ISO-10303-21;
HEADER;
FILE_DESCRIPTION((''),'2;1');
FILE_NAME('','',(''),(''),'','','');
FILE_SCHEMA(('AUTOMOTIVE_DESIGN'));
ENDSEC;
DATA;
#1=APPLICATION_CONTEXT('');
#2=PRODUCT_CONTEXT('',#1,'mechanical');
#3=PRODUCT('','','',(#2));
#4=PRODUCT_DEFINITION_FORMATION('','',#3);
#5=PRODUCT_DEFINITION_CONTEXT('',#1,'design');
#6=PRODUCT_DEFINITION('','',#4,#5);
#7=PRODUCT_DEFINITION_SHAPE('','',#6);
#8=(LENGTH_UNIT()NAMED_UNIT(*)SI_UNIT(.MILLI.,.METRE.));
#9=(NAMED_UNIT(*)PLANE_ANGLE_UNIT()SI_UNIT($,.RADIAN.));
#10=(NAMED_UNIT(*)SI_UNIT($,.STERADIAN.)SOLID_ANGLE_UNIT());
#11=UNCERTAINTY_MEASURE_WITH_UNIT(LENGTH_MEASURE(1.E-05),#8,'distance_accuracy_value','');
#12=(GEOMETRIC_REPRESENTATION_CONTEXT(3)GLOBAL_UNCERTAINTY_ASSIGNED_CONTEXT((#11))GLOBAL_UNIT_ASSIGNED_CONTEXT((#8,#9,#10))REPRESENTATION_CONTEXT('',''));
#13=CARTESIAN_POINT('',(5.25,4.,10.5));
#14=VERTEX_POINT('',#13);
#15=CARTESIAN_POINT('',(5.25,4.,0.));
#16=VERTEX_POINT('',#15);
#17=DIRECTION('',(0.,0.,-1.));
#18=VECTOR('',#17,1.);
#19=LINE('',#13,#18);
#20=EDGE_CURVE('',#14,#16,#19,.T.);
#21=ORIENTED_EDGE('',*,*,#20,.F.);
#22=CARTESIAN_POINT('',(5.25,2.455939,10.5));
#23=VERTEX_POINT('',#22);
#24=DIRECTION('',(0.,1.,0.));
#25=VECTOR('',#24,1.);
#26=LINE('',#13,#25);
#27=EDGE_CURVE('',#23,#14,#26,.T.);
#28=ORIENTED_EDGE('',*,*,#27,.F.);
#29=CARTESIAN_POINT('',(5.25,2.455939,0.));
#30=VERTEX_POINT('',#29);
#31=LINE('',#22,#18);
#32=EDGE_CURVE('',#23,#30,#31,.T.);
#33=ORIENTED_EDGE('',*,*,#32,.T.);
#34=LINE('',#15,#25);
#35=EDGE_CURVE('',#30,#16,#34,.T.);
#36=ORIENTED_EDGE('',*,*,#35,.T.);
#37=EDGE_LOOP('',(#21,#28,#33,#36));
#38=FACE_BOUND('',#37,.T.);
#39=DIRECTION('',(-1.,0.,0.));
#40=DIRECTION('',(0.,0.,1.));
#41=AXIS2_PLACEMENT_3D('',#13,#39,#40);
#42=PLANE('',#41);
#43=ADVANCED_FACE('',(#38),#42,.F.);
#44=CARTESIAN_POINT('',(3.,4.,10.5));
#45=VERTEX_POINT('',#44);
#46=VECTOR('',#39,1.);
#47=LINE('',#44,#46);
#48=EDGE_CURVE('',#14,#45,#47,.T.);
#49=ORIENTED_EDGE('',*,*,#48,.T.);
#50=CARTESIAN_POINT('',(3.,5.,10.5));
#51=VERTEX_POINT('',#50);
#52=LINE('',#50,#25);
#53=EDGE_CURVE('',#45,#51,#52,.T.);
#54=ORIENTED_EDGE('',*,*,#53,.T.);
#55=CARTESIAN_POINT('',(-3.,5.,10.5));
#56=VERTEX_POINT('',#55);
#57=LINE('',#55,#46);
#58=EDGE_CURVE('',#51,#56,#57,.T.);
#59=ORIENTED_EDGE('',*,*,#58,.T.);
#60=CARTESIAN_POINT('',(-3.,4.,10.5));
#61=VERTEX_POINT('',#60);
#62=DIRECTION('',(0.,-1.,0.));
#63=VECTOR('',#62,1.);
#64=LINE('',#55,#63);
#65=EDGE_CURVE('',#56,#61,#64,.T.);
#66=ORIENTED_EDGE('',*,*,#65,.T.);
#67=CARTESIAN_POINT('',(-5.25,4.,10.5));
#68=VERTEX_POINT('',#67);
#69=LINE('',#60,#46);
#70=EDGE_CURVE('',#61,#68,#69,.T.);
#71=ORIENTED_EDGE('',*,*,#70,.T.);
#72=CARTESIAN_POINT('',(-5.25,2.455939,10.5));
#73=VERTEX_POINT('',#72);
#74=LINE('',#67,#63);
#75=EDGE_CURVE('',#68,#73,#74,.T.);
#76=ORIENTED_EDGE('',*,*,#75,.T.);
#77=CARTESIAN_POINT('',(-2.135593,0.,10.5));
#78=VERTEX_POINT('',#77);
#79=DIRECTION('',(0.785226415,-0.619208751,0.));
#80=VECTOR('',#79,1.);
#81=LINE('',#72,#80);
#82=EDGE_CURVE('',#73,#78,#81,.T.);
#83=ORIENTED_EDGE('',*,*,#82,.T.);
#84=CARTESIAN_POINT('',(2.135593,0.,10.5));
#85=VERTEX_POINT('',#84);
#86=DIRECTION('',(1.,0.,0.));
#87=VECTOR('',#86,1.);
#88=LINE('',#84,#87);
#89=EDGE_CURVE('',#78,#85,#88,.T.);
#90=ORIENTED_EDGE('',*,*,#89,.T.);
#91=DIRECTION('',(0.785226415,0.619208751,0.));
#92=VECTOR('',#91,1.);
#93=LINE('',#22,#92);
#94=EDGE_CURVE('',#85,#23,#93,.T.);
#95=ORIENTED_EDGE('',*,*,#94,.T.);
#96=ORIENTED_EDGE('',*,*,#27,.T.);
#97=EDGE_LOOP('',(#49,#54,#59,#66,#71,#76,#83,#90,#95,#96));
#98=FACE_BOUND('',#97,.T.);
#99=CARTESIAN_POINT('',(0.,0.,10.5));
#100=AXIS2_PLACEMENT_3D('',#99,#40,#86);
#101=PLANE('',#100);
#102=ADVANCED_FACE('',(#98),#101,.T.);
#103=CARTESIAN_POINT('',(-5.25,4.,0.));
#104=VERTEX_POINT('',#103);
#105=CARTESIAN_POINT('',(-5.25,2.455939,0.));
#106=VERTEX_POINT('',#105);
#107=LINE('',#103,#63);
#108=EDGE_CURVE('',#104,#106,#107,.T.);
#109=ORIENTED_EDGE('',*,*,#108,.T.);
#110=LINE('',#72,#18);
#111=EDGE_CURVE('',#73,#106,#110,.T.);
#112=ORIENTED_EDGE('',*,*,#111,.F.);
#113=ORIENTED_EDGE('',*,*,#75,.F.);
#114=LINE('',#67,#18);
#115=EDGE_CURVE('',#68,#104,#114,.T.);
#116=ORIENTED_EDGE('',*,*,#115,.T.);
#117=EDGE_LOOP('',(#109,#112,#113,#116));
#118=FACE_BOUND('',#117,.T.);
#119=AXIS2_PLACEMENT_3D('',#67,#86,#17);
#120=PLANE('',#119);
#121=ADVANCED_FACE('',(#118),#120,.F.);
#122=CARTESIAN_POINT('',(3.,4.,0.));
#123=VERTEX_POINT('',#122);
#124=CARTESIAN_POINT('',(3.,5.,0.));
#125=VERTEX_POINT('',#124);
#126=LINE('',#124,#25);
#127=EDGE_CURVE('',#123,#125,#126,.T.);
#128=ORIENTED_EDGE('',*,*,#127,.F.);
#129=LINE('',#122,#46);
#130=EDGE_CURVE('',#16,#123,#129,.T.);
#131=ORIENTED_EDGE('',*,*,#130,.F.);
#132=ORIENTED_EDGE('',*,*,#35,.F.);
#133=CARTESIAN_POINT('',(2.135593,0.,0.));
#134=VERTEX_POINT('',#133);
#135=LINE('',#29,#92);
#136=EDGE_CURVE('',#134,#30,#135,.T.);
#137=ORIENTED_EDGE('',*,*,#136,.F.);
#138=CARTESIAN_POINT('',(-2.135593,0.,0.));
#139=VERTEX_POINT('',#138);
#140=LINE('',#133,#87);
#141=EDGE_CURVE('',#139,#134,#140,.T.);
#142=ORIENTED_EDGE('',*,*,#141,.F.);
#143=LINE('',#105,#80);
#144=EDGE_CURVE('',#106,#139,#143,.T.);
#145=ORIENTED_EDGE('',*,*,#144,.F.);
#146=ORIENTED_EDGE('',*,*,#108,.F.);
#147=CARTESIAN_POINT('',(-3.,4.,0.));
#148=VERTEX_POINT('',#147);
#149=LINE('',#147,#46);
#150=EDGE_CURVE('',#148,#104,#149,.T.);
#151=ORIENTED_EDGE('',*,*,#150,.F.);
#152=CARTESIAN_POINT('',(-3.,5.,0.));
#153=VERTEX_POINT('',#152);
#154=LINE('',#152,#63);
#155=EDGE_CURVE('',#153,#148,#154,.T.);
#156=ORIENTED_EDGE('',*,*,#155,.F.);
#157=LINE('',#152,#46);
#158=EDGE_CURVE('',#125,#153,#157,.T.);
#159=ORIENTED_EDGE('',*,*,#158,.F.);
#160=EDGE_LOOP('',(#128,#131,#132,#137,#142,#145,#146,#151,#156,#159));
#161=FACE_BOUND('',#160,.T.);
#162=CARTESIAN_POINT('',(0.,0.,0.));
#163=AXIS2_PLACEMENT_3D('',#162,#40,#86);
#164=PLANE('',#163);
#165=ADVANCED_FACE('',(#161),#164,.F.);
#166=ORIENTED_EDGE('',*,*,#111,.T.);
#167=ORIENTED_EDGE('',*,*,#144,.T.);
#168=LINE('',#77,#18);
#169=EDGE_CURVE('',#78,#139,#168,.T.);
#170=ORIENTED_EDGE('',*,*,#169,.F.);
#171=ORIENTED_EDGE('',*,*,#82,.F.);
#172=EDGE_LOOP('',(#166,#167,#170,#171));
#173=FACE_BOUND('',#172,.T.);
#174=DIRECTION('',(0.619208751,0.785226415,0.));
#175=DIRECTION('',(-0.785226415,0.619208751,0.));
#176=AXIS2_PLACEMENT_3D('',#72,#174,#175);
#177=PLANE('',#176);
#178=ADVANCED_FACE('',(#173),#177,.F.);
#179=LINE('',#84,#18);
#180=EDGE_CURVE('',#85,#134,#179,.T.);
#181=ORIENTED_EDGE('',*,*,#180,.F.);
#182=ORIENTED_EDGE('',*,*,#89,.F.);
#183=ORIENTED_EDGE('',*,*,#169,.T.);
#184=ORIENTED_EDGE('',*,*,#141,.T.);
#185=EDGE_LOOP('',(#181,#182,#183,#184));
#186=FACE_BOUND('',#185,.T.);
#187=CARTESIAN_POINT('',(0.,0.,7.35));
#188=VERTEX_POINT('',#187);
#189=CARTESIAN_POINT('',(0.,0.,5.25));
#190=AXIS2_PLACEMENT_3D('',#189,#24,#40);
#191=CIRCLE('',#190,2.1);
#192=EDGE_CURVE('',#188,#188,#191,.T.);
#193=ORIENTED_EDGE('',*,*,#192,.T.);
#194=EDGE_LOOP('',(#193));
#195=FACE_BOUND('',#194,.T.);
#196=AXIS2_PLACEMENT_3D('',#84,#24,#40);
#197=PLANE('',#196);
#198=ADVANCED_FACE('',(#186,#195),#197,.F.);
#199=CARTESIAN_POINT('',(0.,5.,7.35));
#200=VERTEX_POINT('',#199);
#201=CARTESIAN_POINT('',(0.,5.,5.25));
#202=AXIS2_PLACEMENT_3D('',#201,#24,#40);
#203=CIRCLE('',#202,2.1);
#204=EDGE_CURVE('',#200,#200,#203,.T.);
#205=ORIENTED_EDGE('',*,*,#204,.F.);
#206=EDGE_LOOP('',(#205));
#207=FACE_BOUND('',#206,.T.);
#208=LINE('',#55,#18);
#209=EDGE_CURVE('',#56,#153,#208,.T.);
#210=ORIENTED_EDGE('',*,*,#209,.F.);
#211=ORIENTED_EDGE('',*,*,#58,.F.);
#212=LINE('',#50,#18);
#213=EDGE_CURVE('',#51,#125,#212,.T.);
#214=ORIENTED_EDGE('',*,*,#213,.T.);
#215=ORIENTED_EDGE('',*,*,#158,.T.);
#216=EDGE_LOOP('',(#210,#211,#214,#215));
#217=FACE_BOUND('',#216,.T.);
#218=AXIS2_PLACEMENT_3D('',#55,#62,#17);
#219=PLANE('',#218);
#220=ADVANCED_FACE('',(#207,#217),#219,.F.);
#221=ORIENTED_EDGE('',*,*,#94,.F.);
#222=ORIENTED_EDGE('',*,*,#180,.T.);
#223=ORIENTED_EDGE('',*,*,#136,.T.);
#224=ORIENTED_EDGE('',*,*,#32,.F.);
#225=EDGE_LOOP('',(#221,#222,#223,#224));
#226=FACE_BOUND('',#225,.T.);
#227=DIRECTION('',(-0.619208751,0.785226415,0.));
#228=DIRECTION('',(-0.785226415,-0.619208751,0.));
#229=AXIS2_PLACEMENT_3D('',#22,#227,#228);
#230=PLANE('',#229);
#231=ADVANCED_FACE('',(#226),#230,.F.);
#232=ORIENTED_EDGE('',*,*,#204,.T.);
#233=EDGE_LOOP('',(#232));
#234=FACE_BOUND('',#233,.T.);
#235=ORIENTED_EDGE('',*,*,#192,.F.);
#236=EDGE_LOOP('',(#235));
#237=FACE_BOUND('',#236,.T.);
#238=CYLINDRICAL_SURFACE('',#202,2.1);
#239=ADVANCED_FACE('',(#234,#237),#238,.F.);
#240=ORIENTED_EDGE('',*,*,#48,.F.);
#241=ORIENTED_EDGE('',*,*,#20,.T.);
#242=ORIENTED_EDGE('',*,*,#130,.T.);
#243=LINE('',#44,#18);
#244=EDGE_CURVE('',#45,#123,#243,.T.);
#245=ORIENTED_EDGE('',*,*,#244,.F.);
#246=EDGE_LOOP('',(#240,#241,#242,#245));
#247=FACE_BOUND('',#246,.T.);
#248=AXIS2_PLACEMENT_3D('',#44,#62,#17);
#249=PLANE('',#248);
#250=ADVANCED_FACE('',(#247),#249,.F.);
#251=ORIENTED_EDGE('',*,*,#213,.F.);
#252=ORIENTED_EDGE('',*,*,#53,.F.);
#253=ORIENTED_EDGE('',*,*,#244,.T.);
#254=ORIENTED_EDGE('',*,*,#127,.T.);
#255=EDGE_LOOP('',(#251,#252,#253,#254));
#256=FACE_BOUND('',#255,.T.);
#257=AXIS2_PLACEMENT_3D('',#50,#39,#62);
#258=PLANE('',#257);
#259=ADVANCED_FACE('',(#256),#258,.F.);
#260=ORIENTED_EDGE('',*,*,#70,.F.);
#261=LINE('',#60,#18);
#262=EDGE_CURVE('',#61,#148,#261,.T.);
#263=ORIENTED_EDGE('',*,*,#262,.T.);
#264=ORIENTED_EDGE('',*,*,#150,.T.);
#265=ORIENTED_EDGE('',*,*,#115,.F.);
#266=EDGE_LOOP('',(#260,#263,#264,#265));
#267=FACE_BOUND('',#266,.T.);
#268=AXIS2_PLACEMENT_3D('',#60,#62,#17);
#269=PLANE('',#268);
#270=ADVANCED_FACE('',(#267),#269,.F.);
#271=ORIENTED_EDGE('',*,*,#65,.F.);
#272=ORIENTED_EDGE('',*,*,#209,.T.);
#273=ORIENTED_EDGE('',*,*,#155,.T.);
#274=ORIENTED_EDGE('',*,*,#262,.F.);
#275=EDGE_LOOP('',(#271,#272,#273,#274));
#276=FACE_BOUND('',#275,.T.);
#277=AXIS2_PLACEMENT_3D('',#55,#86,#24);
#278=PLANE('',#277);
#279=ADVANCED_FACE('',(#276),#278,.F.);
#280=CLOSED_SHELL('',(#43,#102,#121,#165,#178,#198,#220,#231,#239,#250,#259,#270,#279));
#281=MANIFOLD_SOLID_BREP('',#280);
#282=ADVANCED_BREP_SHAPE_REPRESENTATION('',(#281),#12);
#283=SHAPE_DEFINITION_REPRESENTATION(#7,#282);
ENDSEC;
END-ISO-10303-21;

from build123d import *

# Parameters (mm, degrees)
BOSS_EXTRUDE1_DEPTH   = 10.5
M5X0_8_TAPPED_HOLE1_D = 4.2


with BuildPart() as part:
    # Sketch1 → Boss-Extrude1 (new body)
    with BuildSketch(Plane.XY):
        Polygon((-3, 5), (3, 5), (3, 4), (5.25, 4), (5.25, 2.455938691), (2.13559322, 0), (-2.13559322, 0), (-5.25, 2.455938691), (-5.25, 4), (-3, 4), align=None)
    extrude(amount=BOSS_EXTRUDE1_DEPTH)

    # M5x0.8 Tapped Hole1 (through all)
    with Locations(Plane(origin=(0, 5, 0), x_dir=(1, 0, 0), z_dir=(0, 1, 0))):
        with Locations((0, -5.25)):
            Hole(M5X0_8_TAPPED_HOLE1_D / 2)


solid = part.part
